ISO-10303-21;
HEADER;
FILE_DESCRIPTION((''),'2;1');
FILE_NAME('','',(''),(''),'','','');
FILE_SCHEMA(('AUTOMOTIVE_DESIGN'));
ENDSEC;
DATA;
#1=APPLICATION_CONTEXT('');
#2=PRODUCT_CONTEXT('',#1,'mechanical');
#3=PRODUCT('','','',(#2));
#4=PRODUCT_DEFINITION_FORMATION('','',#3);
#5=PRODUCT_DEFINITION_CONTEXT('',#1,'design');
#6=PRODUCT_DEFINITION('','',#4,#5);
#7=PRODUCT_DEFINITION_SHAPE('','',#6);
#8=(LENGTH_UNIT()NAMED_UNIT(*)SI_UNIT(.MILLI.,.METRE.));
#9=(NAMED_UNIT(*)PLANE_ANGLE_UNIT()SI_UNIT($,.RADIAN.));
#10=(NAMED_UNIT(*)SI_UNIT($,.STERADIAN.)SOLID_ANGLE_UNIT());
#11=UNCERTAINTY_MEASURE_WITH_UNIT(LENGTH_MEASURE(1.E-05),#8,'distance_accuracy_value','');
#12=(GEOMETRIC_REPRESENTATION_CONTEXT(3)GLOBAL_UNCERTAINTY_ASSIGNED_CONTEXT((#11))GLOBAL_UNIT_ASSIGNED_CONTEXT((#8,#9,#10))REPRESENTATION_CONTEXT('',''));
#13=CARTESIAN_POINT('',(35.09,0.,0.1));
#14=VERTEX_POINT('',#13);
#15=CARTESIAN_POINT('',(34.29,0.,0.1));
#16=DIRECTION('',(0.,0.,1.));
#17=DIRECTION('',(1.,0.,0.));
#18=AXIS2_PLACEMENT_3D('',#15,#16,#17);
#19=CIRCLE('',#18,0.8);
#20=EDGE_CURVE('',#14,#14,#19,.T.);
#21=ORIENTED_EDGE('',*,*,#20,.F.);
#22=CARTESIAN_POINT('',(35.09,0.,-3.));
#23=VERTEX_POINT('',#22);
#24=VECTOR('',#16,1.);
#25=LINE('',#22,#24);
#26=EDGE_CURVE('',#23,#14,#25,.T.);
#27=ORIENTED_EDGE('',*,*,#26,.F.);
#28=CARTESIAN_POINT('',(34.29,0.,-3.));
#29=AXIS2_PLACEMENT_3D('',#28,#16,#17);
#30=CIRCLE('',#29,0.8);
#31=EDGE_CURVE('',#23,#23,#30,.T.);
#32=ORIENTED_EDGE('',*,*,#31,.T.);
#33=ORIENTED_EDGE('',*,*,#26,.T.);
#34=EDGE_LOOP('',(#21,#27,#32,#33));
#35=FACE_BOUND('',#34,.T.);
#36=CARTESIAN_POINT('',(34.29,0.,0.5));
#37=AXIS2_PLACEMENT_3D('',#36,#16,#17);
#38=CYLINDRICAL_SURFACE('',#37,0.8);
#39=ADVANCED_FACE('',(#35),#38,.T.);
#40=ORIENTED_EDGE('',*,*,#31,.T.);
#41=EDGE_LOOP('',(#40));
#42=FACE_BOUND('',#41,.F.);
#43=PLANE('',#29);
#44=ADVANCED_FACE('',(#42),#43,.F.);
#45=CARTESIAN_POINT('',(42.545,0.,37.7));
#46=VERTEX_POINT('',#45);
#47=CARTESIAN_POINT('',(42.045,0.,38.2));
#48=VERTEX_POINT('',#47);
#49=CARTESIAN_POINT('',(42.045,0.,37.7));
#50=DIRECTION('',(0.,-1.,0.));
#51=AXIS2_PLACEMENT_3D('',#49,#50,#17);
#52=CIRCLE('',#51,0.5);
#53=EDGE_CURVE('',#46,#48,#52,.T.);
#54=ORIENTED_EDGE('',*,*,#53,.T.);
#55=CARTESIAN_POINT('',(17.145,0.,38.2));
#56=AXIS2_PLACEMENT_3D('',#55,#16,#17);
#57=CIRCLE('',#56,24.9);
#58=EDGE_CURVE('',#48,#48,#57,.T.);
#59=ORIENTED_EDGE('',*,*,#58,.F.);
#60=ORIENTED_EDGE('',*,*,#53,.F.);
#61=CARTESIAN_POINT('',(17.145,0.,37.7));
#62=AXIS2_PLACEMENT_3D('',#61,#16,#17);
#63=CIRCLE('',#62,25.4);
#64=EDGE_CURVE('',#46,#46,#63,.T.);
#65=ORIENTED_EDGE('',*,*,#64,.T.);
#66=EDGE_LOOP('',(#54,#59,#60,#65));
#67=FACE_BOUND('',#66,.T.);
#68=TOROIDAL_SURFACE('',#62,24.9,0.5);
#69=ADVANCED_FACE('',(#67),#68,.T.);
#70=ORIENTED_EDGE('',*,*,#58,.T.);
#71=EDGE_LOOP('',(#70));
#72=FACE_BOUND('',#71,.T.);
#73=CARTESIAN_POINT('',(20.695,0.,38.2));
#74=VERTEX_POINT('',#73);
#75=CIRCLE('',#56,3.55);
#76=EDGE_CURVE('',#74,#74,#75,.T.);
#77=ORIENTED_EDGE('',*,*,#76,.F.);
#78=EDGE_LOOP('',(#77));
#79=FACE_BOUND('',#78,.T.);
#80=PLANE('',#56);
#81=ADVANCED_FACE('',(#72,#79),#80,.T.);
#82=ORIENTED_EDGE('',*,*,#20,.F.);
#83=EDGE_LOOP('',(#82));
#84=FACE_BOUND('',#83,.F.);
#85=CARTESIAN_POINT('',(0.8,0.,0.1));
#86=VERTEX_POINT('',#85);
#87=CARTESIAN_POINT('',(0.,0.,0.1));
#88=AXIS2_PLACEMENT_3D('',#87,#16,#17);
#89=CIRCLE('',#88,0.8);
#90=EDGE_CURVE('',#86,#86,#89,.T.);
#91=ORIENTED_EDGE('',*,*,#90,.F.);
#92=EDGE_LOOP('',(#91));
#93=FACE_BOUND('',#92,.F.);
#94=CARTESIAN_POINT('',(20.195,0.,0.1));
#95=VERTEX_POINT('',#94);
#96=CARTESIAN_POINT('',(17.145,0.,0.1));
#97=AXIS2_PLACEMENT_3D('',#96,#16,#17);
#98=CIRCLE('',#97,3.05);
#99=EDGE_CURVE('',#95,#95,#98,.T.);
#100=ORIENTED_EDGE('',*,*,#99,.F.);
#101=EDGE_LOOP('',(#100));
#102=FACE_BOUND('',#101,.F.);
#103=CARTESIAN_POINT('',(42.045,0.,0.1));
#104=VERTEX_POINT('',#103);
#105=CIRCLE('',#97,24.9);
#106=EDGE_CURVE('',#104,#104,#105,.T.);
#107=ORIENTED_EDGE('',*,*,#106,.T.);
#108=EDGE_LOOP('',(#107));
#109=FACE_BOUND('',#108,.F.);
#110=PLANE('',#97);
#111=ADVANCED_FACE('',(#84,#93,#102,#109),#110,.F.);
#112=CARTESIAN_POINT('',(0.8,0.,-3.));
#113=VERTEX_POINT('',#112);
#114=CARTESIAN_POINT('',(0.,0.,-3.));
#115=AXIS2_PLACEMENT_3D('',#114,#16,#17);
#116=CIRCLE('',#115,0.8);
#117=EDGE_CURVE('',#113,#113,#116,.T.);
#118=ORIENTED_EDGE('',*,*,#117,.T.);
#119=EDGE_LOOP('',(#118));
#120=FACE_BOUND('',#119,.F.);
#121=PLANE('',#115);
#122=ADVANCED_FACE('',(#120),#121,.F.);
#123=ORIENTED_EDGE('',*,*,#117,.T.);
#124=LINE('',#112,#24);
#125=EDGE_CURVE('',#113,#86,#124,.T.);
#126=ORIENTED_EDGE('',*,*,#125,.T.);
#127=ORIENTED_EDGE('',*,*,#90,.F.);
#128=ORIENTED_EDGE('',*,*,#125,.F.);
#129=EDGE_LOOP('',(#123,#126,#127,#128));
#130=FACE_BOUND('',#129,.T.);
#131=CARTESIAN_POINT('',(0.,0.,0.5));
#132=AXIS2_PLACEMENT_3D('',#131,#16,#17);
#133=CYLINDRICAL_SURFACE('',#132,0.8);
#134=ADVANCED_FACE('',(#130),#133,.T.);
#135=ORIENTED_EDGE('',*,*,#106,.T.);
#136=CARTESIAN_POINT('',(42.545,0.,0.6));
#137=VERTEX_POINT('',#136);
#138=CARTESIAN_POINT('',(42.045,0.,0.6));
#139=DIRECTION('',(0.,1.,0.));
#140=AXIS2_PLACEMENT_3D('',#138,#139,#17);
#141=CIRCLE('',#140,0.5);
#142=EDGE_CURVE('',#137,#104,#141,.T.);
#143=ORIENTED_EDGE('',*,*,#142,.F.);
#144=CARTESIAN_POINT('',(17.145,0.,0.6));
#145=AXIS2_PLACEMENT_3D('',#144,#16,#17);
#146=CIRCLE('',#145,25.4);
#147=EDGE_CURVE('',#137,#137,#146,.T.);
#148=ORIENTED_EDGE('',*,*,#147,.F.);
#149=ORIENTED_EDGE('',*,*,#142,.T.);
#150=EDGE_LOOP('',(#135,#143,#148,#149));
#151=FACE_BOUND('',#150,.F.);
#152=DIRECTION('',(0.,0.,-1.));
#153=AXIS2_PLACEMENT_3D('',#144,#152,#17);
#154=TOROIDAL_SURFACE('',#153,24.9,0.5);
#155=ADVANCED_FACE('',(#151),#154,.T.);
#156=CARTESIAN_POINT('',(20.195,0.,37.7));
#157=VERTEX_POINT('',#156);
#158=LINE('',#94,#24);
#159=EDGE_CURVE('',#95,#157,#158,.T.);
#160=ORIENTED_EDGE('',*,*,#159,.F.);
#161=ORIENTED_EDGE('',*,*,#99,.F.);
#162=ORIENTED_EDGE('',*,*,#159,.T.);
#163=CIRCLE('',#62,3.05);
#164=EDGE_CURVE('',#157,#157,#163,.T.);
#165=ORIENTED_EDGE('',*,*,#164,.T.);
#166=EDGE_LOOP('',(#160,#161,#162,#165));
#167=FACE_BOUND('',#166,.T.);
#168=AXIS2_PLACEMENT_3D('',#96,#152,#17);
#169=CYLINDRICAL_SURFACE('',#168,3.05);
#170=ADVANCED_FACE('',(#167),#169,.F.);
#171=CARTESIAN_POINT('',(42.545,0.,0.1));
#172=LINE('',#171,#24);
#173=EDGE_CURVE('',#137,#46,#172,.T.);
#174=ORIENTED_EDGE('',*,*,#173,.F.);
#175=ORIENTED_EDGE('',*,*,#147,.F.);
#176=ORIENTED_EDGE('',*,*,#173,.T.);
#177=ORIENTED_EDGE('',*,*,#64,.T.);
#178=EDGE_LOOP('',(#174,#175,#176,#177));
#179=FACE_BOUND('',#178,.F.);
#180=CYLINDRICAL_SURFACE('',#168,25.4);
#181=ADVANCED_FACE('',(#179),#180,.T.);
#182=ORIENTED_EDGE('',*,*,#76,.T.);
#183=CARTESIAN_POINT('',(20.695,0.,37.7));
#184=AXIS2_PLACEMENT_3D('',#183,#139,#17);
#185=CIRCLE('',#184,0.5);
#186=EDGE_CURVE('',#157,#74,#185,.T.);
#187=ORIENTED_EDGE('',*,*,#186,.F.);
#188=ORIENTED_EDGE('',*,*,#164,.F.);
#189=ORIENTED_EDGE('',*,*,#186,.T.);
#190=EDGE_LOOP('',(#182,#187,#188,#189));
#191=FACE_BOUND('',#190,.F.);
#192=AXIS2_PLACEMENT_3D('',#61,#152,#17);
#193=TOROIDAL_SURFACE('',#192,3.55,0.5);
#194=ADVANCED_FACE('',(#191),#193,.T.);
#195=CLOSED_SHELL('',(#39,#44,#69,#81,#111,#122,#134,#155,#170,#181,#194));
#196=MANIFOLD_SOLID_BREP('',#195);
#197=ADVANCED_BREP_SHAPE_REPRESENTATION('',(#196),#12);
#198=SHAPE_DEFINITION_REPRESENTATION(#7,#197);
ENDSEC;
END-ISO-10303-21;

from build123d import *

# Parameters (mm, degrees)
SKETCH001_R       = 0.8
PAD001_DEPTH      = 19.05
PAD001_DEPTH_BACK = 3.5
SKETCH_R          = 25.4
SKETCH_R_2        = 3.05
PAD_DEPTH         = 38.1
FILLET_R          = 0.5


with BuildPart() as pad001:
    # Sketch001 → Pad001 (new body, two sides)
    with BuildSketch(Plane.XY.offset(0.5)) as pad001_sk:
        Circle(SKETCH001_R)
        with Locations((34.29, 0)):
            Circle(SKETCH001_R)
    extrude(amount=PAD001_DEPTH)
    extrude(pad001_sk.sketch, amount=-PAD001_DEPTH_BACK)


with BuildPart() as fillet_mp_cp:
    # Sketch → Pad (new body)
    with BuildSketch(Plane.XY.offset(0.1)):
        with Locations((17.145, 0)):
            Circle(SKETCH_R)
        with Locations((17.145, 0)):
            Circle(SKETCH_R_2, mode=Mode.SUBTRACT)
    extrude(amount=PAD_DEPTH)

    # Fillet
    fillet_edges = [fillet_mp_cp.edges().sort_by_distance(p)[0] for p in [
        (14.095, 0, 38.2),
        (-8.255, 0, 38.2),
        (-8.255, 0, 0.1),
    ]]
    fillet(fillet_edges, radius=FILLET_R)

    # Fillet_mp_cp: union Pad001
    add(pad001.part)


solid = fillet_mp_cp.part
